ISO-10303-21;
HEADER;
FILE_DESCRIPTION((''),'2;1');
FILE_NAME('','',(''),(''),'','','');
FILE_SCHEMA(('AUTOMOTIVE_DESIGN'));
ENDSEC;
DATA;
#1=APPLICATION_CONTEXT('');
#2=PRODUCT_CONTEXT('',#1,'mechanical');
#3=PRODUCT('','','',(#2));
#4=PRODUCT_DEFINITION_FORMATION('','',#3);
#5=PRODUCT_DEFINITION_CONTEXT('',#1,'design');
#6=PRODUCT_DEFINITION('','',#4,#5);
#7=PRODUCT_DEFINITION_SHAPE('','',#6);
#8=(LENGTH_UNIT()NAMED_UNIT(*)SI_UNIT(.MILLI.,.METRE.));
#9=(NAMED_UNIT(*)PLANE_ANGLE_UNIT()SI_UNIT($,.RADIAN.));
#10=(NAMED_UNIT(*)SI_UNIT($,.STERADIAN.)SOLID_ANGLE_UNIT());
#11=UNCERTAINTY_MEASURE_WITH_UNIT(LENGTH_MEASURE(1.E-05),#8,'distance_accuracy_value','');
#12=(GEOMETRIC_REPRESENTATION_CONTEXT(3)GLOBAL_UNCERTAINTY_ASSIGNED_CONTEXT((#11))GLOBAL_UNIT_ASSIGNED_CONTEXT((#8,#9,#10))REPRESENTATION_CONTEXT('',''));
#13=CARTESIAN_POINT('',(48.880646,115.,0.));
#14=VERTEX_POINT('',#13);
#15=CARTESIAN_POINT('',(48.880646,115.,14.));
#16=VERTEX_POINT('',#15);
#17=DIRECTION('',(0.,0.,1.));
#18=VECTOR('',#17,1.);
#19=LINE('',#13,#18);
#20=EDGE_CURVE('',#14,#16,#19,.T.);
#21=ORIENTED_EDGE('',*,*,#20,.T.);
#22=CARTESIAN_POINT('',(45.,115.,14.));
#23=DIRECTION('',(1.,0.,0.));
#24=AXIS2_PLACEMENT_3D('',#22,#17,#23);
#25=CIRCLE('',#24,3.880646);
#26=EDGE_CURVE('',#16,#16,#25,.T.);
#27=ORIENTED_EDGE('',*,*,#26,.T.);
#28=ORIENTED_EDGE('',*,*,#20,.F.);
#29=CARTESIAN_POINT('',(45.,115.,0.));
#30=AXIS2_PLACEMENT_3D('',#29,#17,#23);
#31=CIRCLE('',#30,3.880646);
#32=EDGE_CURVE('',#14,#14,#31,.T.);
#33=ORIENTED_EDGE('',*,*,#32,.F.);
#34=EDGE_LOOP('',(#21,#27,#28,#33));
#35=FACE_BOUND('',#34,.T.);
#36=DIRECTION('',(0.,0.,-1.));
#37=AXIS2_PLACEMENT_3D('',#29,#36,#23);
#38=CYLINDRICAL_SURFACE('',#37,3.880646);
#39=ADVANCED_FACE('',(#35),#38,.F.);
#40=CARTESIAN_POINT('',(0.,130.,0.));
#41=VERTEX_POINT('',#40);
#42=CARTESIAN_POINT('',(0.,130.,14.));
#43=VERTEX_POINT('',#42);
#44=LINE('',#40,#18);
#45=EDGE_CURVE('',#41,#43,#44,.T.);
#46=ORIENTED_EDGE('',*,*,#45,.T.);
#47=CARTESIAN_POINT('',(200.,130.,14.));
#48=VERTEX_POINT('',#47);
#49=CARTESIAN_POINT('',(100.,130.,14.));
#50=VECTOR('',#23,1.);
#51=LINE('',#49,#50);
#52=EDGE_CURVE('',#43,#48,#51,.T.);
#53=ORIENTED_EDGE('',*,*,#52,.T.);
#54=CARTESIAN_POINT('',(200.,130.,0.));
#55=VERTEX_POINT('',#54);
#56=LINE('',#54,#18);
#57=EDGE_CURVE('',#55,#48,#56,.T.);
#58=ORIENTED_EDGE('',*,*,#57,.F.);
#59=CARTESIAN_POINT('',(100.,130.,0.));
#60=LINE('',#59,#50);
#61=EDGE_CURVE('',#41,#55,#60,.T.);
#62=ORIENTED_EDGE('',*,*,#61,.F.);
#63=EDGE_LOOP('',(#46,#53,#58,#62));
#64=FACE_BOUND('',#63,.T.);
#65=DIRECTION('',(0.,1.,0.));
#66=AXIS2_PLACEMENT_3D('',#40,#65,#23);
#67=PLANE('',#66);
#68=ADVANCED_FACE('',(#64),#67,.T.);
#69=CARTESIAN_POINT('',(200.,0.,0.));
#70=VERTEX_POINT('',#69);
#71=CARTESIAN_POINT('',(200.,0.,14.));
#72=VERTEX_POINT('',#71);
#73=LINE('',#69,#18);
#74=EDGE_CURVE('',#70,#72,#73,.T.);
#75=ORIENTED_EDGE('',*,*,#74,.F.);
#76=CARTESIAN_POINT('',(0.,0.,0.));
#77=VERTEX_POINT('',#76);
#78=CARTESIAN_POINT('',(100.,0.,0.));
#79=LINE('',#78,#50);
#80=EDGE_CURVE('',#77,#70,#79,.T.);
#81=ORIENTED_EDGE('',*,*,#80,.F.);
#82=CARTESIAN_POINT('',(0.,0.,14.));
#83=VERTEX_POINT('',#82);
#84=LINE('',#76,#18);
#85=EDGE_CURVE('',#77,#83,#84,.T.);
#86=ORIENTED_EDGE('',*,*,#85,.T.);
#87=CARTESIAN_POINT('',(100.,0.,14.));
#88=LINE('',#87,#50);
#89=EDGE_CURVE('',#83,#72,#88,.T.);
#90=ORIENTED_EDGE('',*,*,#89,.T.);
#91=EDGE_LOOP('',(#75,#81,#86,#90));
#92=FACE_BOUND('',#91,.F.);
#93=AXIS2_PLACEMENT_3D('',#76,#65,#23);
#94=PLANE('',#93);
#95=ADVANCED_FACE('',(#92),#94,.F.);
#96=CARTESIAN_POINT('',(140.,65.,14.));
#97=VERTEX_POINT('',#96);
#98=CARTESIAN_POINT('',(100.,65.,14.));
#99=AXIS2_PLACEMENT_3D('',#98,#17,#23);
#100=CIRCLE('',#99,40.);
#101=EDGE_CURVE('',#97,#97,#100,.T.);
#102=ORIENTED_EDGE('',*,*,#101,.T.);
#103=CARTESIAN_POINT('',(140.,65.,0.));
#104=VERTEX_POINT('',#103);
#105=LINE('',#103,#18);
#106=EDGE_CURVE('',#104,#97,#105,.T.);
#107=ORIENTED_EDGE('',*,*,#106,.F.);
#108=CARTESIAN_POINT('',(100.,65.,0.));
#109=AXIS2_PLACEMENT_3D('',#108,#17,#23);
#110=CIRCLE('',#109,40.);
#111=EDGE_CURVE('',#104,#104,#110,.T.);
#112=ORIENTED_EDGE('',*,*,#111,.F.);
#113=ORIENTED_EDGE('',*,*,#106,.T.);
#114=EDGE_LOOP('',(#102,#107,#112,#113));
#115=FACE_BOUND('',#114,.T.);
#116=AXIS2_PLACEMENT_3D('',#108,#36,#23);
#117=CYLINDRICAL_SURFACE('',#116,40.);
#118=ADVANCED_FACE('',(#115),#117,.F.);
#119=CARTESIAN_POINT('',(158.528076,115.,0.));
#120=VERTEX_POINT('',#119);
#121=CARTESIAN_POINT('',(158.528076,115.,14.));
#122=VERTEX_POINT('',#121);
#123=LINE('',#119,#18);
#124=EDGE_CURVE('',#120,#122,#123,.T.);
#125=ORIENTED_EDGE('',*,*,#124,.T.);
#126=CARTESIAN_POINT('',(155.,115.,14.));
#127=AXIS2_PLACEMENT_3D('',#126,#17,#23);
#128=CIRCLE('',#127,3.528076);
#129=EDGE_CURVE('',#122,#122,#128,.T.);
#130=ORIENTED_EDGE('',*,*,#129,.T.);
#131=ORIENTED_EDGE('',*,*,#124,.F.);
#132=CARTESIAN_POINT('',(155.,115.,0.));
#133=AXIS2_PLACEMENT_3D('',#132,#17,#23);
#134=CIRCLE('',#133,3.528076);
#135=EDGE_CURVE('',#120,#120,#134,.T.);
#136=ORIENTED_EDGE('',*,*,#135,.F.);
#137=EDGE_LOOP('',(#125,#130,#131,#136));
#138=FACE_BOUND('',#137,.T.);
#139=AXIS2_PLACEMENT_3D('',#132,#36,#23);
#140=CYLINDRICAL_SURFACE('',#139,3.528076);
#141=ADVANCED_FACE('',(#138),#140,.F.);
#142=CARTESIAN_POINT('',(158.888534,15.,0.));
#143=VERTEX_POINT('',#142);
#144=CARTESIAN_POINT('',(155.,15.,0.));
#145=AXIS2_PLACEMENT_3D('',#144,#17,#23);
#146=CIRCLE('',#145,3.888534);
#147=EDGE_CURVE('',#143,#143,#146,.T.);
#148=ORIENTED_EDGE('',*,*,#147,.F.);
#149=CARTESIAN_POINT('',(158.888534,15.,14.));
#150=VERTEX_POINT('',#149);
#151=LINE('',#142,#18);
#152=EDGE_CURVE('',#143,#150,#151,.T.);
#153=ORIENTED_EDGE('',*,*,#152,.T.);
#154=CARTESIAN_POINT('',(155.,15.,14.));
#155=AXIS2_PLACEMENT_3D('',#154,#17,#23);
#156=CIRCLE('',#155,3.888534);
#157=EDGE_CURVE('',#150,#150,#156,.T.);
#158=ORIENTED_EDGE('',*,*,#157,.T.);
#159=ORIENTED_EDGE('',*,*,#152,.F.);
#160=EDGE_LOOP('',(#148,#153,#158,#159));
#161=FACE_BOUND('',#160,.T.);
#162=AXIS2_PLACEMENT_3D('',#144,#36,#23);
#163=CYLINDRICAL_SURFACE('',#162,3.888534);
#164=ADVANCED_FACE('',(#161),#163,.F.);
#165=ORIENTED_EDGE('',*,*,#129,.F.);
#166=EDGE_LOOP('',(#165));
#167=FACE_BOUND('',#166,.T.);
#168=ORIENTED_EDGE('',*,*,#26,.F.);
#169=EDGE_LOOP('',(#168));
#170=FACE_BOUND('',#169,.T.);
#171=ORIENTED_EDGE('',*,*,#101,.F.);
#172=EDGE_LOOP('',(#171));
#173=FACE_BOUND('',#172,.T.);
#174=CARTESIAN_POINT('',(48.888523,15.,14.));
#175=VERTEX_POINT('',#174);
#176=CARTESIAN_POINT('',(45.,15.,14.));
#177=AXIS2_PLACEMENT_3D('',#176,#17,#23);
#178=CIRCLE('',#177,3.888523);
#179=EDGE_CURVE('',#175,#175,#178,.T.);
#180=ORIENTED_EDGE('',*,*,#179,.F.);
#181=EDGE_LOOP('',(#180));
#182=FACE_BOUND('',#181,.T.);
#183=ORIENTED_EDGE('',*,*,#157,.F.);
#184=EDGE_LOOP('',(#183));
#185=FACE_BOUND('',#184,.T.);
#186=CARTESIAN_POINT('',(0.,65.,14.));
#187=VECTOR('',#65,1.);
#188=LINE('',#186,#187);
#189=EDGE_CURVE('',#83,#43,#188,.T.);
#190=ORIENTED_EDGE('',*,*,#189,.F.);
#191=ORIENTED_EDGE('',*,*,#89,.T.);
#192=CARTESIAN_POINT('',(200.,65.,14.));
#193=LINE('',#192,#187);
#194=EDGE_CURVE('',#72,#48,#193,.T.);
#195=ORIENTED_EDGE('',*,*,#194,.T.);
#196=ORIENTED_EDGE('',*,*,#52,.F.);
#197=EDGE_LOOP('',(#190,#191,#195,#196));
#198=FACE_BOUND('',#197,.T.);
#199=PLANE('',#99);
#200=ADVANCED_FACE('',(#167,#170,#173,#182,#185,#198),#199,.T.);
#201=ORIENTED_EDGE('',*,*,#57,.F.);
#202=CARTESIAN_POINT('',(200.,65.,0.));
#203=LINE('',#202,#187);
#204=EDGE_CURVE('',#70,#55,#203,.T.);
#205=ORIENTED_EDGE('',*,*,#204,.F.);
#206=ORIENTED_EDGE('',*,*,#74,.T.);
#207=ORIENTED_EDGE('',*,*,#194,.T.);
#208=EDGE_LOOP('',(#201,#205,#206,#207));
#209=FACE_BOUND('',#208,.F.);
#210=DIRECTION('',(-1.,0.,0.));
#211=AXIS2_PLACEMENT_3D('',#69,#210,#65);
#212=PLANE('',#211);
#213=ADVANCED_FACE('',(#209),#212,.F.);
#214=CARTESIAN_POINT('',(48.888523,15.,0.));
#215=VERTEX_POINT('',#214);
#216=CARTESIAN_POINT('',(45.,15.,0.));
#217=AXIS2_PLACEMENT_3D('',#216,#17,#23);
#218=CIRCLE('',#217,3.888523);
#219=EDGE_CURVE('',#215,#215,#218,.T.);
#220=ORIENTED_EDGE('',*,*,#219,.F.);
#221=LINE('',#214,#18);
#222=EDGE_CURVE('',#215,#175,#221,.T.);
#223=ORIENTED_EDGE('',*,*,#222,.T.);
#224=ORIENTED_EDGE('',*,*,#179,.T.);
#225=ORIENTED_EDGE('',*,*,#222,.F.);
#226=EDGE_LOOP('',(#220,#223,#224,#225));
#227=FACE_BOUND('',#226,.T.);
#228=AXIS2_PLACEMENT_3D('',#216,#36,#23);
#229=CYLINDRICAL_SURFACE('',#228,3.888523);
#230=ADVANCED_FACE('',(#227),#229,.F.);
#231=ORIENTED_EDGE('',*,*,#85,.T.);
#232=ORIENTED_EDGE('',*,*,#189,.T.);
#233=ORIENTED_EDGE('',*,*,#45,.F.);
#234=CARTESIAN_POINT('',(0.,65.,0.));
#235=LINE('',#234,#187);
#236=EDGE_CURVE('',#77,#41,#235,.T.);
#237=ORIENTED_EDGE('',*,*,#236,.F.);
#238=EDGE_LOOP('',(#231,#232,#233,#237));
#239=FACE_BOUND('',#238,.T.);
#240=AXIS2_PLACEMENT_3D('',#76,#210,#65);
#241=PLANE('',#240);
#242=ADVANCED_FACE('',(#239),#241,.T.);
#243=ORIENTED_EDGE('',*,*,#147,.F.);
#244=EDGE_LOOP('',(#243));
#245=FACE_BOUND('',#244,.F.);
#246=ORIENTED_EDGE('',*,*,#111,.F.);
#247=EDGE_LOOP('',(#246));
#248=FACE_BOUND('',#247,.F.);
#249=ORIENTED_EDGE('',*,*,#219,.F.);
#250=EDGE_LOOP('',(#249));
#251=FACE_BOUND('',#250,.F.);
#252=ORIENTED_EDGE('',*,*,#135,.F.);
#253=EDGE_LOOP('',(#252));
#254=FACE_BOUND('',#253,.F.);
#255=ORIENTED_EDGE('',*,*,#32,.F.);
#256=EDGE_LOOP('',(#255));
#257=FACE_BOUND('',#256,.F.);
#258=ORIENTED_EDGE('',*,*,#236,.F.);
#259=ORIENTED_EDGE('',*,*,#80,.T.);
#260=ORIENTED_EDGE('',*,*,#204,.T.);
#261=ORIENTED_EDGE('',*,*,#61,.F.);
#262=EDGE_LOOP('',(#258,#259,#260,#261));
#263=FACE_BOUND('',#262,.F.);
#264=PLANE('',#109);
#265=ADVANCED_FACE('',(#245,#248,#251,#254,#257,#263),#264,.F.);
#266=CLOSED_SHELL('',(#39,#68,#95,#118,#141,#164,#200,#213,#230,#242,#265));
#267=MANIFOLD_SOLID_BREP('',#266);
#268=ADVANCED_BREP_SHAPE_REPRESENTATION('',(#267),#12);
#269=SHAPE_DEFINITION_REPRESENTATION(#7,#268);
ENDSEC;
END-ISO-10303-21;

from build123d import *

# Parameters (mm, degrees)
SKETCH_W   = 200
SKETCH_H   = 130
SKETCH_R   = 40
SKETCH_R_2 = 3.880646
SKETCH_R_3 = 3.888523
SKETCH_R_4 = 3.528076
SKETCH_R_5 = 3.888534
PAD_DEPTH  = 14


with BuildPart() as part:
    # Sketch → Pad (new body)
    with BuildSketch(Plane.XY):
        with Locations((100, 65)):
            Rectangle(SKETCH_W, SKETCH_H)
        with Locations((100, 65)):
            Circle(SKETCH_R, mode=Mode.SUBTRACT)
        with Locations((45, 115)):
            Circle(SKETCH_R_2, mode=Mode.SUBTRACT)
        with Locations((45, 15)):
            Circle(SKETCH_R_3, mode=Mode.SUBTRACT)
        with Locations((155, 115)):
            Circle(SKETCH_R_4, mode=Mode.SUBTRACT)
        with Locations((155, 15)):
            Circle(SKETCH_R_5, mode=Mode.SUBTRACT)
    extrude(amount=PAD_DEPTH)


solid = part.part
